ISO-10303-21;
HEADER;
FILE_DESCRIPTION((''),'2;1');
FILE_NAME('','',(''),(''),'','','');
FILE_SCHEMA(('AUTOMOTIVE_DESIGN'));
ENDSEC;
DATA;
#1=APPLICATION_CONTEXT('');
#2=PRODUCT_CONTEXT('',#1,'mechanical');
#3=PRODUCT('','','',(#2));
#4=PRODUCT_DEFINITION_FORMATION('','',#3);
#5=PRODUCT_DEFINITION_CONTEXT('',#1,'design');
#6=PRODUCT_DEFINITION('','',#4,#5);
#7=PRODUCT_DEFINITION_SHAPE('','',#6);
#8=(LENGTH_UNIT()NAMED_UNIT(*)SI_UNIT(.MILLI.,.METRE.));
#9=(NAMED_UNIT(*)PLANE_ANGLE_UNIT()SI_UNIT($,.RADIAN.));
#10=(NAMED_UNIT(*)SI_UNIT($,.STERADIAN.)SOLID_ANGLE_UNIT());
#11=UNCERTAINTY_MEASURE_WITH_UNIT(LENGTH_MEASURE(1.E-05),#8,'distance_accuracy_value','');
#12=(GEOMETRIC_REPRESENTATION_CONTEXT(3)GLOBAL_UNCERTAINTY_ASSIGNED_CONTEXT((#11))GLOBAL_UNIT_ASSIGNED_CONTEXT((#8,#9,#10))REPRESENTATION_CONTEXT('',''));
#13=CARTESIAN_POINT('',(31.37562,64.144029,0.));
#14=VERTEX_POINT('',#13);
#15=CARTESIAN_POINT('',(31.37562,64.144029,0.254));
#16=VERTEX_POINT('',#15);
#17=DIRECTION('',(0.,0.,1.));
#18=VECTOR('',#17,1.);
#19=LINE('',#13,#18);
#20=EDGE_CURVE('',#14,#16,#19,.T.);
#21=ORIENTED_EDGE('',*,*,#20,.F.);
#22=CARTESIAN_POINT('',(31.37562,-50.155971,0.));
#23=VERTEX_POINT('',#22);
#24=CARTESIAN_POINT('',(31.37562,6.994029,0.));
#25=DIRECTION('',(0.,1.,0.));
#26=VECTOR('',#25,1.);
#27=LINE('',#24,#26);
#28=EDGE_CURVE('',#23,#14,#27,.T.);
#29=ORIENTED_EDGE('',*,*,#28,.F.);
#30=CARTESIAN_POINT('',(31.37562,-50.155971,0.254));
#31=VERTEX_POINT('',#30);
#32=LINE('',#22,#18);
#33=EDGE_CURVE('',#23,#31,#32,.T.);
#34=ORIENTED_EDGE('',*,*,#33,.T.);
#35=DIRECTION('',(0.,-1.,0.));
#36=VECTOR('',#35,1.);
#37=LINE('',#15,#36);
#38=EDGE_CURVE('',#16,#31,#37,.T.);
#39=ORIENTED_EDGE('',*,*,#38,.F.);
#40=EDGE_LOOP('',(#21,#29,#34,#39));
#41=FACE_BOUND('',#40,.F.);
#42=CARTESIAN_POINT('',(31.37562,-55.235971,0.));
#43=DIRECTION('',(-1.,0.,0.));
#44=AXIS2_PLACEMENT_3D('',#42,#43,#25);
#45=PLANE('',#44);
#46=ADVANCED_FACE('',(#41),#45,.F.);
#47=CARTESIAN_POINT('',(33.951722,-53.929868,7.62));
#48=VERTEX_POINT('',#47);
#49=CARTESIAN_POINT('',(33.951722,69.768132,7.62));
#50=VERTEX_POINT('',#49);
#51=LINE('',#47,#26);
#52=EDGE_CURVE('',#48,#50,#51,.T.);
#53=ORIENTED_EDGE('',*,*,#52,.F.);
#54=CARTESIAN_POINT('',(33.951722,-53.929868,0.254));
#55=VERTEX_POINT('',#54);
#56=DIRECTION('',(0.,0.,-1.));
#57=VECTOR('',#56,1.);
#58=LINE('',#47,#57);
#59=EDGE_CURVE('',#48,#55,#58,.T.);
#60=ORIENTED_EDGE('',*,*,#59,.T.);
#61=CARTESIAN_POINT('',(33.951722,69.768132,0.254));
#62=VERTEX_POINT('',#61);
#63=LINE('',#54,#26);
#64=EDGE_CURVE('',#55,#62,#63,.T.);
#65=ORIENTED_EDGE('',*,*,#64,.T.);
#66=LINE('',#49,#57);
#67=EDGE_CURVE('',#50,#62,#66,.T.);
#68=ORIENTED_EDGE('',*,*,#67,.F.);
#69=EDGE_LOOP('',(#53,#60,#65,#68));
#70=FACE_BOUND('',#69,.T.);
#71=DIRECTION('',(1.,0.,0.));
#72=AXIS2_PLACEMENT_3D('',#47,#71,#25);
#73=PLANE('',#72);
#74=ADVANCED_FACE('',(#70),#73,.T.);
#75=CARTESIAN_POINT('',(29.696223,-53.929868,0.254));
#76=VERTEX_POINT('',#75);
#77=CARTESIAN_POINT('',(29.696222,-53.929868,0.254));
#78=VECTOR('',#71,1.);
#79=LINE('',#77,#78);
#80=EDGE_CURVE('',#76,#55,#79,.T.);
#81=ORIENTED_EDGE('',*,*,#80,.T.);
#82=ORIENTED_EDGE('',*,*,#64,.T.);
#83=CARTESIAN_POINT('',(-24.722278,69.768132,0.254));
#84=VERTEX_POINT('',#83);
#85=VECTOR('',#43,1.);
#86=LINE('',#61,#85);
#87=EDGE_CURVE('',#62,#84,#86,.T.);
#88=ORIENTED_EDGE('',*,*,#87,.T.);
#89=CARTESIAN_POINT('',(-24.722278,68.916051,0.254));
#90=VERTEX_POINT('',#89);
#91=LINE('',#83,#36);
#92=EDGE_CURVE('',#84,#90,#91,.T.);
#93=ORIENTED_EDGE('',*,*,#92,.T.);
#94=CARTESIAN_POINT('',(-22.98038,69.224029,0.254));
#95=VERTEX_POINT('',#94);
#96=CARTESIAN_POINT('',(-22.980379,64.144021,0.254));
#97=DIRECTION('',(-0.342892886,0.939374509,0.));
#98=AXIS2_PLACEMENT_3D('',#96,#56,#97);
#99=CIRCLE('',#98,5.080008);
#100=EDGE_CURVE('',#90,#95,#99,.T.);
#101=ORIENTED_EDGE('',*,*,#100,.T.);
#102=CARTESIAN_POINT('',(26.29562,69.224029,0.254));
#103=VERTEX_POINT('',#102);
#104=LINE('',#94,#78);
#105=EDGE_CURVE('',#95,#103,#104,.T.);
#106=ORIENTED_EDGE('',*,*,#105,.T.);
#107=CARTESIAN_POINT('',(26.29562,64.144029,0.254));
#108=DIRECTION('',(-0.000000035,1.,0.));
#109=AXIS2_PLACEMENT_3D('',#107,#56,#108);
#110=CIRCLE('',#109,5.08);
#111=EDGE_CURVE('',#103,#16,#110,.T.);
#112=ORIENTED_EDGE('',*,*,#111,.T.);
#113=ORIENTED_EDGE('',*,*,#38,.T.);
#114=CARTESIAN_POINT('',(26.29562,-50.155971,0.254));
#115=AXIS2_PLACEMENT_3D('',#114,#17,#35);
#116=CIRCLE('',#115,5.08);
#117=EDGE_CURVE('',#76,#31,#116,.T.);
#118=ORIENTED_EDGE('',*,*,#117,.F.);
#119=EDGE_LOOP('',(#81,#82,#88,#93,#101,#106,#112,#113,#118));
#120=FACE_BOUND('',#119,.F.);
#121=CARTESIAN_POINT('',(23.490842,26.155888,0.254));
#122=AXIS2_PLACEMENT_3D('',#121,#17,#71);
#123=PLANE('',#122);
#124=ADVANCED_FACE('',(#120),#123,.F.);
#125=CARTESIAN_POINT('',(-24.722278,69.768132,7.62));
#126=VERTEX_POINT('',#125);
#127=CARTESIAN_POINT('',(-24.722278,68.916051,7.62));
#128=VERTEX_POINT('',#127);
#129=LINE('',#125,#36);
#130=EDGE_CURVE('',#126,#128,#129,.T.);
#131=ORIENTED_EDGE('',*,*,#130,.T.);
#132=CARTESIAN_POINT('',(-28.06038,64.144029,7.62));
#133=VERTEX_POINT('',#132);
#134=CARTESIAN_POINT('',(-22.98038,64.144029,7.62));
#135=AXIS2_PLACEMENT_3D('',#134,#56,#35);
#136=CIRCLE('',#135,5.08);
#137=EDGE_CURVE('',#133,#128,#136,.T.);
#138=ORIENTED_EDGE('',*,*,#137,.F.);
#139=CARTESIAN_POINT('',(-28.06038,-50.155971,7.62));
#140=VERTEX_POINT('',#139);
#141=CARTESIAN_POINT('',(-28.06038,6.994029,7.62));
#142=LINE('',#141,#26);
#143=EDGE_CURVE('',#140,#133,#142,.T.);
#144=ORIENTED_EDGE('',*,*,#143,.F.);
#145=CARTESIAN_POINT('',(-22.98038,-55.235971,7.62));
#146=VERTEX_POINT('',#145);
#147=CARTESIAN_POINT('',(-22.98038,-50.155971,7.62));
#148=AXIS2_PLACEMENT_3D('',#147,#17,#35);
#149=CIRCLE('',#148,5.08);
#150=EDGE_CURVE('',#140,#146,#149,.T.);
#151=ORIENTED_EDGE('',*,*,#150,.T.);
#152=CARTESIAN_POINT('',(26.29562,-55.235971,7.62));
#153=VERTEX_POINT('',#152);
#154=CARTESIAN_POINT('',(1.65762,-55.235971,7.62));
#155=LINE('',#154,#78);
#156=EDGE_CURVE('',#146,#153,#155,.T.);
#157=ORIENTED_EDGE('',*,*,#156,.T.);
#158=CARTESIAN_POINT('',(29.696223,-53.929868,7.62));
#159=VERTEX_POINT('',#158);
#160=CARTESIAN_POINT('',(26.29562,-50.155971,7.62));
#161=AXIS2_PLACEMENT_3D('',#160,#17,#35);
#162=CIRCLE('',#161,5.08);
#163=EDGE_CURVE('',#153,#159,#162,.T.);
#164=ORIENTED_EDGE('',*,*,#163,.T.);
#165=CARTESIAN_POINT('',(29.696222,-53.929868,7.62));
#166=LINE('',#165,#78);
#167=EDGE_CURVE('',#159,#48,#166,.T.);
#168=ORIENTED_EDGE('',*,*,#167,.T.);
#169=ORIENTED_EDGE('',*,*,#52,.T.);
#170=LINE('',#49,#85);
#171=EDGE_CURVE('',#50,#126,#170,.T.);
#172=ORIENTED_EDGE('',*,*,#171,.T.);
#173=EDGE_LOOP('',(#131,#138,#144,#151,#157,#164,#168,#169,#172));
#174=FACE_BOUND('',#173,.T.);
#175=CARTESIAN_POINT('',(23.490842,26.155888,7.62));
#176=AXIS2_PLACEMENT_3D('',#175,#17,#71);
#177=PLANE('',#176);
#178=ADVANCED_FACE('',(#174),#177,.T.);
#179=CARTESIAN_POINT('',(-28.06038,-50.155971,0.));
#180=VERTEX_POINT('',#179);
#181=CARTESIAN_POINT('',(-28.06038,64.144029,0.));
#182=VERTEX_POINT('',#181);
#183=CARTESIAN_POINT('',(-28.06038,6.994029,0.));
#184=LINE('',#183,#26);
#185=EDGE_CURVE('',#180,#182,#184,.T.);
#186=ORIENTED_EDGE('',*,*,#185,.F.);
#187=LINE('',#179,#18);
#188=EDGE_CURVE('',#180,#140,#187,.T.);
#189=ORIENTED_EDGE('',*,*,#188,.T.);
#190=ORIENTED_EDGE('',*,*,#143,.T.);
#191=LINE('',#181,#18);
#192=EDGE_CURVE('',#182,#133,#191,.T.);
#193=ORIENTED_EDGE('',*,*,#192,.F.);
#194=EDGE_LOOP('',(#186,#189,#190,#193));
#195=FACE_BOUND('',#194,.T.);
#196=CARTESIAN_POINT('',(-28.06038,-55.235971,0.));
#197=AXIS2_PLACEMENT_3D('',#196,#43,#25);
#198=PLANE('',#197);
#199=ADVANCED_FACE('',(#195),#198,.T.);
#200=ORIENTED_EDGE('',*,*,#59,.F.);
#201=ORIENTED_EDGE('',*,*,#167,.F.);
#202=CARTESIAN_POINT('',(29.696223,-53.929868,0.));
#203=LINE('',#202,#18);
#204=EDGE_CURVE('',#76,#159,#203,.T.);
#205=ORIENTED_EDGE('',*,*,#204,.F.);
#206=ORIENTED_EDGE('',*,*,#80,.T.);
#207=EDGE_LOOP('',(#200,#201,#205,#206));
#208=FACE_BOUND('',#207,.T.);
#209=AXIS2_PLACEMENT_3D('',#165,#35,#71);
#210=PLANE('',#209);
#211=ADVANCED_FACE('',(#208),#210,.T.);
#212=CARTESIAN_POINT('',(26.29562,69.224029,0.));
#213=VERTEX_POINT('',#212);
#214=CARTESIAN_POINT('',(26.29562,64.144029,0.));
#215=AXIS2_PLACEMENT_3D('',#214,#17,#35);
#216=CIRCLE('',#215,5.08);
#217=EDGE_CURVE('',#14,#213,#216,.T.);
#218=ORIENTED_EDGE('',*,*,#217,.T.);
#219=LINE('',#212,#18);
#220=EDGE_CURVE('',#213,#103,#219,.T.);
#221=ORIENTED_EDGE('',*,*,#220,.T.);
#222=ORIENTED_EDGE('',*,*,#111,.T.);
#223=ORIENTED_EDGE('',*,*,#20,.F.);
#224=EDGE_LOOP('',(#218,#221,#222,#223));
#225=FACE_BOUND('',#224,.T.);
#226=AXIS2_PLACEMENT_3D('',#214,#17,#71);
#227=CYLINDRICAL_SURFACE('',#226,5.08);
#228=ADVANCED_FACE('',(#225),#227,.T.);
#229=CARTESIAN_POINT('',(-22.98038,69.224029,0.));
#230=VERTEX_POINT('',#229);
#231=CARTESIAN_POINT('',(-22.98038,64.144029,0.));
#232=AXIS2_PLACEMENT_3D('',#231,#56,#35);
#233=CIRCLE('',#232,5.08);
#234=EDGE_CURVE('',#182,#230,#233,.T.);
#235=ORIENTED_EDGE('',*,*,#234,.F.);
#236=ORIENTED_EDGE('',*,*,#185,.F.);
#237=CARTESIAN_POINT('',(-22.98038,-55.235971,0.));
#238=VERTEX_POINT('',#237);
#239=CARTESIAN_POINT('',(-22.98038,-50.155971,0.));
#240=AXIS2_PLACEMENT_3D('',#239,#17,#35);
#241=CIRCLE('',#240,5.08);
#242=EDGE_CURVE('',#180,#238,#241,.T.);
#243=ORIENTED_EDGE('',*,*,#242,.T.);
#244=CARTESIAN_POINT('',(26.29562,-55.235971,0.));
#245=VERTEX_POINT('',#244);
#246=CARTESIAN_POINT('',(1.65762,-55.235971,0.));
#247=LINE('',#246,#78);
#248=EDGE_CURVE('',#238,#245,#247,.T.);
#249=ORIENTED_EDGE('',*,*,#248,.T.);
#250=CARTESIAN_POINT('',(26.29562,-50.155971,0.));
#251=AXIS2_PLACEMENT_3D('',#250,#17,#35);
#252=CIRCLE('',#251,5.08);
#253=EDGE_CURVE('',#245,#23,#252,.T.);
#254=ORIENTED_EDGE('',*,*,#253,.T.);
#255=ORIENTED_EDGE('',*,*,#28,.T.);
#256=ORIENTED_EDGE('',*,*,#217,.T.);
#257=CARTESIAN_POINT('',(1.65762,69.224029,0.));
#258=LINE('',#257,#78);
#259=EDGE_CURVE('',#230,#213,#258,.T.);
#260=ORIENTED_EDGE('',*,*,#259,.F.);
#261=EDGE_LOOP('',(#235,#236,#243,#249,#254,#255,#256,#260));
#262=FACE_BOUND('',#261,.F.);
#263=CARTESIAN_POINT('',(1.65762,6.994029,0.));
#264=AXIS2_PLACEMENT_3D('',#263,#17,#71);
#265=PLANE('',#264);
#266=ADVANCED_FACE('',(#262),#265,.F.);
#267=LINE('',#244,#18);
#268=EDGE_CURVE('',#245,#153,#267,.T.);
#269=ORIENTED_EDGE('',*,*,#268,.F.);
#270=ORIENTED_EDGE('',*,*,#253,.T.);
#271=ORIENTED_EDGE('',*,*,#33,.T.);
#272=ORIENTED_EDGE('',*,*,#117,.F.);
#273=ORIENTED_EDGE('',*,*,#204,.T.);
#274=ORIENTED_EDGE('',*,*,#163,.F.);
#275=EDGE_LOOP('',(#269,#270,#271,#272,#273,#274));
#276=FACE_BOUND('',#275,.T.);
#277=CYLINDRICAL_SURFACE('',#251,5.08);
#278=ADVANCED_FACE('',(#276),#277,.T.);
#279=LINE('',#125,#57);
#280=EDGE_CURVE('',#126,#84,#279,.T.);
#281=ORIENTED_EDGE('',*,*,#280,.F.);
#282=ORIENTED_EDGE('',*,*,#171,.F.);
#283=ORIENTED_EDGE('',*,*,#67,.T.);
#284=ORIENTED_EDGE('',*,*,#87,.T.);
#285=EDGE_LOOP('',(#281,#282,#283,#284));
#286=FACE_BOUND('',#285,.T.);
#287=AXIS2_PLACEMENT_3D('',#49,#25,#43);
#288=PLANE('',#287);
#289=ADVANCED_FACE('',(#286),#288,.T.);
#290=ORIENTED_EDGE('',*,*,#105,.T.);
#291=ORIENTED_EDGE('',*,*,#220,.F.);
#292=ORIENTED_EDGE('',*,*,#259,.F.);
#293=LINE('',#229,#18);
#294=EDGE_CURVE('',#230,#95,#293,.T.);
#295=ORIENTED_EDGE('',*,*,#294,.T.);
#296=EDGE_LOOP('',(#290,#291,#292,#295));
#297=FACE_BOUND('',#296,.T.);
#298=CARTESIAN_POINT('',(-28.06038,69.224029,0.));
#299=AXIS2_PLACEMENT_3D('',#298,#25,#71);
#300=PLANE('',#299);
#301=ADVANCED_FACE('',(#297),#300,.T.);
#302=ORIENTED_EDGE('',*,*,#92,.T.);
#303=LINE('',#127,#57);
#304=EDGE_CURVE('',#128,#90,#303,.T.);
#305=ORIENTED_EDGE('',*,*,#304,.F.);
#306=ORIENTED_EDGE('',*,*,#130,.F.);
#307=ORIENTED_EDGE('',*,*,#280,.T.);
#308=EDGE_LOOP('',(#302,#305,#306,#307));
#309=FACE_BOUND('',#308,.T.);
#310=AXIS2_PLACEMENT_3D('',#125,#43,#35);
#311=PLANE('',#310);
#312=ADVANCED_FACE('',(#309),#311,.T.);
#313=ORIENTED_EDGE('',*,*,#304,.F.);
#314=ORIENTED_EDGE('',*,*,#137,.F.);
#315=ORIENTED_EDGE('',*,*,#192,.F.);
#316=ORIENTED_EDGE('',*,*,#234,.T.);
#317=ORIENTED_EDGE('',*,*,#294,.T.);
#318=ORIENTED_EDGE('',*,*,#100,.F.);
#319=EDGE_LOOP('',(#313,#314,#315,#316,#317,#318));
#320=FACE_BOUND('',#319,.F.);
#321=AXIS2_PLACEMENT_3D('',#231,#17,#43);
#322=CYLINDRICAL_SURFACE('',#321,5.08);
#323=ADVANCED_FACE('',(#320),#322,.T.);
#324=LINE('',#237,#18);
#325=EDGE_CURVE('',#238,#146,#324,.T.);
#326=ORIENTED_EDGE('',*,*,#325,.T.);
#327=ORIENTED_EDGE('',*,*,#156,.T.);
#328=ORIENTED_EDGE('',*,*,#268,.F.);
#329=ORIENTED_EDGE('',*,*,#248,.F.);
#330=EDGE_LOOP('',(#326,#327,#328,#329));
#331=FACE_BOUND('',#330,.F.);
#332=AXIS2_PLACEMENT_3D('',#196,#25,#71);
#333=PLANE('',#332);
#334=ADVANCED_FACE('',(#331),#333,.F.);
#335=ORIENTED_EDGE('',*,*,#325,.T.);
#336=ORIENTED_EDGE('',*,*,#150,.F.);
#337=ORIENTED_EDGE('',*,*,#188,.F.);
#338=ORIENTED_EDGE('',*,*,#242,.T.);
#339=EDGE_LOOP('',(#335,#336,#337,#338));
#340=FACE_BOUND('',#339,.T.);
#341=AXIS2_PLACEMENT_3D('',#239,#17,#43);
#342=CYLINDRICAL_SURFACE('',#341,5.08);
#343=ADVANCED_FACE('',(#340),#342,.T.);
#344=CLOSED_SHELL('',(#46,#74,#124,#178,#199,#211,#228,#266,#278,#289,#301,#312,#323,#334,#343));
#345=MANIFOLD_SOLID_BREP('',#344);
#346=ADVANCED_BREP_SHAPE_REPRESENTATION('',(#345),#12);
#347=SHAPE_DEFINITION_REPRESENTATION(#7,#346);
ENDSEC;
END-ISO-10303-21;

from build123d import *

# Parameters (mm, degrees)
F0_W     = 59.436
F0_H     = 124.46
F1_DEPTH = 7.62
F2_R     = 5.08
F4_DEPTH = 7.366


with BuildPart() as f1:
    # F0 (on Top) → F1 (new body)
    with BuildSketch(Plane.XY):
        with Locations((1.65762, 6.994029)):
            Rectangle(F0_W, F0_H)
    extrude(amount=F1_DEPTH)

    # F2
    f2_edges = [f1.edges().sort_by_distance(p)[0] for p in [
        (31.37562, -55.235971, 3.81),
        (-28.06038, -55.235971, 3.81),
        (31.37562, 69.224029, 3.81),
        (-28.06038, 69.224029, 3.81),
    ]]
    fillet(f2_edges, radius=F2_R)

    # F3 (on face) → F4 (join)
    with BuildSketch(Plane.XY.offset(7.62)):
        with BuildLine():
            Line((33.951722, 69.768132), (-24.722278, 69.768132))
            Line((-24.722278, 69.768132), (-24.722278, 68.916051))
            ThreePointArc((-24.722278, 68.916051), (-23.864837, 69.146442), (-22.98038, 69.224029))
            Line((-22.98038, 69.224029), (26.29562, 69.224029))
            ThreePointArc((26.29562, 69.224029), (29.887722, 67.736132), (31.37562, 64.144029))
            Line((31.37562, 64.144029), (31.37562, -50.155971))
            ThreePointArc((31.37562, -50.155971), (30.936819, -52.221321), (29.696222, -53.929868))
            Line((29.696222, -53.929868), (33.951722, -53.929868))
            Line((33.951722, -53.929868), (33.951722, 69.768132))
        make_face()
    extrude(amount=-F4_DEPTH)


solid = f1.part
